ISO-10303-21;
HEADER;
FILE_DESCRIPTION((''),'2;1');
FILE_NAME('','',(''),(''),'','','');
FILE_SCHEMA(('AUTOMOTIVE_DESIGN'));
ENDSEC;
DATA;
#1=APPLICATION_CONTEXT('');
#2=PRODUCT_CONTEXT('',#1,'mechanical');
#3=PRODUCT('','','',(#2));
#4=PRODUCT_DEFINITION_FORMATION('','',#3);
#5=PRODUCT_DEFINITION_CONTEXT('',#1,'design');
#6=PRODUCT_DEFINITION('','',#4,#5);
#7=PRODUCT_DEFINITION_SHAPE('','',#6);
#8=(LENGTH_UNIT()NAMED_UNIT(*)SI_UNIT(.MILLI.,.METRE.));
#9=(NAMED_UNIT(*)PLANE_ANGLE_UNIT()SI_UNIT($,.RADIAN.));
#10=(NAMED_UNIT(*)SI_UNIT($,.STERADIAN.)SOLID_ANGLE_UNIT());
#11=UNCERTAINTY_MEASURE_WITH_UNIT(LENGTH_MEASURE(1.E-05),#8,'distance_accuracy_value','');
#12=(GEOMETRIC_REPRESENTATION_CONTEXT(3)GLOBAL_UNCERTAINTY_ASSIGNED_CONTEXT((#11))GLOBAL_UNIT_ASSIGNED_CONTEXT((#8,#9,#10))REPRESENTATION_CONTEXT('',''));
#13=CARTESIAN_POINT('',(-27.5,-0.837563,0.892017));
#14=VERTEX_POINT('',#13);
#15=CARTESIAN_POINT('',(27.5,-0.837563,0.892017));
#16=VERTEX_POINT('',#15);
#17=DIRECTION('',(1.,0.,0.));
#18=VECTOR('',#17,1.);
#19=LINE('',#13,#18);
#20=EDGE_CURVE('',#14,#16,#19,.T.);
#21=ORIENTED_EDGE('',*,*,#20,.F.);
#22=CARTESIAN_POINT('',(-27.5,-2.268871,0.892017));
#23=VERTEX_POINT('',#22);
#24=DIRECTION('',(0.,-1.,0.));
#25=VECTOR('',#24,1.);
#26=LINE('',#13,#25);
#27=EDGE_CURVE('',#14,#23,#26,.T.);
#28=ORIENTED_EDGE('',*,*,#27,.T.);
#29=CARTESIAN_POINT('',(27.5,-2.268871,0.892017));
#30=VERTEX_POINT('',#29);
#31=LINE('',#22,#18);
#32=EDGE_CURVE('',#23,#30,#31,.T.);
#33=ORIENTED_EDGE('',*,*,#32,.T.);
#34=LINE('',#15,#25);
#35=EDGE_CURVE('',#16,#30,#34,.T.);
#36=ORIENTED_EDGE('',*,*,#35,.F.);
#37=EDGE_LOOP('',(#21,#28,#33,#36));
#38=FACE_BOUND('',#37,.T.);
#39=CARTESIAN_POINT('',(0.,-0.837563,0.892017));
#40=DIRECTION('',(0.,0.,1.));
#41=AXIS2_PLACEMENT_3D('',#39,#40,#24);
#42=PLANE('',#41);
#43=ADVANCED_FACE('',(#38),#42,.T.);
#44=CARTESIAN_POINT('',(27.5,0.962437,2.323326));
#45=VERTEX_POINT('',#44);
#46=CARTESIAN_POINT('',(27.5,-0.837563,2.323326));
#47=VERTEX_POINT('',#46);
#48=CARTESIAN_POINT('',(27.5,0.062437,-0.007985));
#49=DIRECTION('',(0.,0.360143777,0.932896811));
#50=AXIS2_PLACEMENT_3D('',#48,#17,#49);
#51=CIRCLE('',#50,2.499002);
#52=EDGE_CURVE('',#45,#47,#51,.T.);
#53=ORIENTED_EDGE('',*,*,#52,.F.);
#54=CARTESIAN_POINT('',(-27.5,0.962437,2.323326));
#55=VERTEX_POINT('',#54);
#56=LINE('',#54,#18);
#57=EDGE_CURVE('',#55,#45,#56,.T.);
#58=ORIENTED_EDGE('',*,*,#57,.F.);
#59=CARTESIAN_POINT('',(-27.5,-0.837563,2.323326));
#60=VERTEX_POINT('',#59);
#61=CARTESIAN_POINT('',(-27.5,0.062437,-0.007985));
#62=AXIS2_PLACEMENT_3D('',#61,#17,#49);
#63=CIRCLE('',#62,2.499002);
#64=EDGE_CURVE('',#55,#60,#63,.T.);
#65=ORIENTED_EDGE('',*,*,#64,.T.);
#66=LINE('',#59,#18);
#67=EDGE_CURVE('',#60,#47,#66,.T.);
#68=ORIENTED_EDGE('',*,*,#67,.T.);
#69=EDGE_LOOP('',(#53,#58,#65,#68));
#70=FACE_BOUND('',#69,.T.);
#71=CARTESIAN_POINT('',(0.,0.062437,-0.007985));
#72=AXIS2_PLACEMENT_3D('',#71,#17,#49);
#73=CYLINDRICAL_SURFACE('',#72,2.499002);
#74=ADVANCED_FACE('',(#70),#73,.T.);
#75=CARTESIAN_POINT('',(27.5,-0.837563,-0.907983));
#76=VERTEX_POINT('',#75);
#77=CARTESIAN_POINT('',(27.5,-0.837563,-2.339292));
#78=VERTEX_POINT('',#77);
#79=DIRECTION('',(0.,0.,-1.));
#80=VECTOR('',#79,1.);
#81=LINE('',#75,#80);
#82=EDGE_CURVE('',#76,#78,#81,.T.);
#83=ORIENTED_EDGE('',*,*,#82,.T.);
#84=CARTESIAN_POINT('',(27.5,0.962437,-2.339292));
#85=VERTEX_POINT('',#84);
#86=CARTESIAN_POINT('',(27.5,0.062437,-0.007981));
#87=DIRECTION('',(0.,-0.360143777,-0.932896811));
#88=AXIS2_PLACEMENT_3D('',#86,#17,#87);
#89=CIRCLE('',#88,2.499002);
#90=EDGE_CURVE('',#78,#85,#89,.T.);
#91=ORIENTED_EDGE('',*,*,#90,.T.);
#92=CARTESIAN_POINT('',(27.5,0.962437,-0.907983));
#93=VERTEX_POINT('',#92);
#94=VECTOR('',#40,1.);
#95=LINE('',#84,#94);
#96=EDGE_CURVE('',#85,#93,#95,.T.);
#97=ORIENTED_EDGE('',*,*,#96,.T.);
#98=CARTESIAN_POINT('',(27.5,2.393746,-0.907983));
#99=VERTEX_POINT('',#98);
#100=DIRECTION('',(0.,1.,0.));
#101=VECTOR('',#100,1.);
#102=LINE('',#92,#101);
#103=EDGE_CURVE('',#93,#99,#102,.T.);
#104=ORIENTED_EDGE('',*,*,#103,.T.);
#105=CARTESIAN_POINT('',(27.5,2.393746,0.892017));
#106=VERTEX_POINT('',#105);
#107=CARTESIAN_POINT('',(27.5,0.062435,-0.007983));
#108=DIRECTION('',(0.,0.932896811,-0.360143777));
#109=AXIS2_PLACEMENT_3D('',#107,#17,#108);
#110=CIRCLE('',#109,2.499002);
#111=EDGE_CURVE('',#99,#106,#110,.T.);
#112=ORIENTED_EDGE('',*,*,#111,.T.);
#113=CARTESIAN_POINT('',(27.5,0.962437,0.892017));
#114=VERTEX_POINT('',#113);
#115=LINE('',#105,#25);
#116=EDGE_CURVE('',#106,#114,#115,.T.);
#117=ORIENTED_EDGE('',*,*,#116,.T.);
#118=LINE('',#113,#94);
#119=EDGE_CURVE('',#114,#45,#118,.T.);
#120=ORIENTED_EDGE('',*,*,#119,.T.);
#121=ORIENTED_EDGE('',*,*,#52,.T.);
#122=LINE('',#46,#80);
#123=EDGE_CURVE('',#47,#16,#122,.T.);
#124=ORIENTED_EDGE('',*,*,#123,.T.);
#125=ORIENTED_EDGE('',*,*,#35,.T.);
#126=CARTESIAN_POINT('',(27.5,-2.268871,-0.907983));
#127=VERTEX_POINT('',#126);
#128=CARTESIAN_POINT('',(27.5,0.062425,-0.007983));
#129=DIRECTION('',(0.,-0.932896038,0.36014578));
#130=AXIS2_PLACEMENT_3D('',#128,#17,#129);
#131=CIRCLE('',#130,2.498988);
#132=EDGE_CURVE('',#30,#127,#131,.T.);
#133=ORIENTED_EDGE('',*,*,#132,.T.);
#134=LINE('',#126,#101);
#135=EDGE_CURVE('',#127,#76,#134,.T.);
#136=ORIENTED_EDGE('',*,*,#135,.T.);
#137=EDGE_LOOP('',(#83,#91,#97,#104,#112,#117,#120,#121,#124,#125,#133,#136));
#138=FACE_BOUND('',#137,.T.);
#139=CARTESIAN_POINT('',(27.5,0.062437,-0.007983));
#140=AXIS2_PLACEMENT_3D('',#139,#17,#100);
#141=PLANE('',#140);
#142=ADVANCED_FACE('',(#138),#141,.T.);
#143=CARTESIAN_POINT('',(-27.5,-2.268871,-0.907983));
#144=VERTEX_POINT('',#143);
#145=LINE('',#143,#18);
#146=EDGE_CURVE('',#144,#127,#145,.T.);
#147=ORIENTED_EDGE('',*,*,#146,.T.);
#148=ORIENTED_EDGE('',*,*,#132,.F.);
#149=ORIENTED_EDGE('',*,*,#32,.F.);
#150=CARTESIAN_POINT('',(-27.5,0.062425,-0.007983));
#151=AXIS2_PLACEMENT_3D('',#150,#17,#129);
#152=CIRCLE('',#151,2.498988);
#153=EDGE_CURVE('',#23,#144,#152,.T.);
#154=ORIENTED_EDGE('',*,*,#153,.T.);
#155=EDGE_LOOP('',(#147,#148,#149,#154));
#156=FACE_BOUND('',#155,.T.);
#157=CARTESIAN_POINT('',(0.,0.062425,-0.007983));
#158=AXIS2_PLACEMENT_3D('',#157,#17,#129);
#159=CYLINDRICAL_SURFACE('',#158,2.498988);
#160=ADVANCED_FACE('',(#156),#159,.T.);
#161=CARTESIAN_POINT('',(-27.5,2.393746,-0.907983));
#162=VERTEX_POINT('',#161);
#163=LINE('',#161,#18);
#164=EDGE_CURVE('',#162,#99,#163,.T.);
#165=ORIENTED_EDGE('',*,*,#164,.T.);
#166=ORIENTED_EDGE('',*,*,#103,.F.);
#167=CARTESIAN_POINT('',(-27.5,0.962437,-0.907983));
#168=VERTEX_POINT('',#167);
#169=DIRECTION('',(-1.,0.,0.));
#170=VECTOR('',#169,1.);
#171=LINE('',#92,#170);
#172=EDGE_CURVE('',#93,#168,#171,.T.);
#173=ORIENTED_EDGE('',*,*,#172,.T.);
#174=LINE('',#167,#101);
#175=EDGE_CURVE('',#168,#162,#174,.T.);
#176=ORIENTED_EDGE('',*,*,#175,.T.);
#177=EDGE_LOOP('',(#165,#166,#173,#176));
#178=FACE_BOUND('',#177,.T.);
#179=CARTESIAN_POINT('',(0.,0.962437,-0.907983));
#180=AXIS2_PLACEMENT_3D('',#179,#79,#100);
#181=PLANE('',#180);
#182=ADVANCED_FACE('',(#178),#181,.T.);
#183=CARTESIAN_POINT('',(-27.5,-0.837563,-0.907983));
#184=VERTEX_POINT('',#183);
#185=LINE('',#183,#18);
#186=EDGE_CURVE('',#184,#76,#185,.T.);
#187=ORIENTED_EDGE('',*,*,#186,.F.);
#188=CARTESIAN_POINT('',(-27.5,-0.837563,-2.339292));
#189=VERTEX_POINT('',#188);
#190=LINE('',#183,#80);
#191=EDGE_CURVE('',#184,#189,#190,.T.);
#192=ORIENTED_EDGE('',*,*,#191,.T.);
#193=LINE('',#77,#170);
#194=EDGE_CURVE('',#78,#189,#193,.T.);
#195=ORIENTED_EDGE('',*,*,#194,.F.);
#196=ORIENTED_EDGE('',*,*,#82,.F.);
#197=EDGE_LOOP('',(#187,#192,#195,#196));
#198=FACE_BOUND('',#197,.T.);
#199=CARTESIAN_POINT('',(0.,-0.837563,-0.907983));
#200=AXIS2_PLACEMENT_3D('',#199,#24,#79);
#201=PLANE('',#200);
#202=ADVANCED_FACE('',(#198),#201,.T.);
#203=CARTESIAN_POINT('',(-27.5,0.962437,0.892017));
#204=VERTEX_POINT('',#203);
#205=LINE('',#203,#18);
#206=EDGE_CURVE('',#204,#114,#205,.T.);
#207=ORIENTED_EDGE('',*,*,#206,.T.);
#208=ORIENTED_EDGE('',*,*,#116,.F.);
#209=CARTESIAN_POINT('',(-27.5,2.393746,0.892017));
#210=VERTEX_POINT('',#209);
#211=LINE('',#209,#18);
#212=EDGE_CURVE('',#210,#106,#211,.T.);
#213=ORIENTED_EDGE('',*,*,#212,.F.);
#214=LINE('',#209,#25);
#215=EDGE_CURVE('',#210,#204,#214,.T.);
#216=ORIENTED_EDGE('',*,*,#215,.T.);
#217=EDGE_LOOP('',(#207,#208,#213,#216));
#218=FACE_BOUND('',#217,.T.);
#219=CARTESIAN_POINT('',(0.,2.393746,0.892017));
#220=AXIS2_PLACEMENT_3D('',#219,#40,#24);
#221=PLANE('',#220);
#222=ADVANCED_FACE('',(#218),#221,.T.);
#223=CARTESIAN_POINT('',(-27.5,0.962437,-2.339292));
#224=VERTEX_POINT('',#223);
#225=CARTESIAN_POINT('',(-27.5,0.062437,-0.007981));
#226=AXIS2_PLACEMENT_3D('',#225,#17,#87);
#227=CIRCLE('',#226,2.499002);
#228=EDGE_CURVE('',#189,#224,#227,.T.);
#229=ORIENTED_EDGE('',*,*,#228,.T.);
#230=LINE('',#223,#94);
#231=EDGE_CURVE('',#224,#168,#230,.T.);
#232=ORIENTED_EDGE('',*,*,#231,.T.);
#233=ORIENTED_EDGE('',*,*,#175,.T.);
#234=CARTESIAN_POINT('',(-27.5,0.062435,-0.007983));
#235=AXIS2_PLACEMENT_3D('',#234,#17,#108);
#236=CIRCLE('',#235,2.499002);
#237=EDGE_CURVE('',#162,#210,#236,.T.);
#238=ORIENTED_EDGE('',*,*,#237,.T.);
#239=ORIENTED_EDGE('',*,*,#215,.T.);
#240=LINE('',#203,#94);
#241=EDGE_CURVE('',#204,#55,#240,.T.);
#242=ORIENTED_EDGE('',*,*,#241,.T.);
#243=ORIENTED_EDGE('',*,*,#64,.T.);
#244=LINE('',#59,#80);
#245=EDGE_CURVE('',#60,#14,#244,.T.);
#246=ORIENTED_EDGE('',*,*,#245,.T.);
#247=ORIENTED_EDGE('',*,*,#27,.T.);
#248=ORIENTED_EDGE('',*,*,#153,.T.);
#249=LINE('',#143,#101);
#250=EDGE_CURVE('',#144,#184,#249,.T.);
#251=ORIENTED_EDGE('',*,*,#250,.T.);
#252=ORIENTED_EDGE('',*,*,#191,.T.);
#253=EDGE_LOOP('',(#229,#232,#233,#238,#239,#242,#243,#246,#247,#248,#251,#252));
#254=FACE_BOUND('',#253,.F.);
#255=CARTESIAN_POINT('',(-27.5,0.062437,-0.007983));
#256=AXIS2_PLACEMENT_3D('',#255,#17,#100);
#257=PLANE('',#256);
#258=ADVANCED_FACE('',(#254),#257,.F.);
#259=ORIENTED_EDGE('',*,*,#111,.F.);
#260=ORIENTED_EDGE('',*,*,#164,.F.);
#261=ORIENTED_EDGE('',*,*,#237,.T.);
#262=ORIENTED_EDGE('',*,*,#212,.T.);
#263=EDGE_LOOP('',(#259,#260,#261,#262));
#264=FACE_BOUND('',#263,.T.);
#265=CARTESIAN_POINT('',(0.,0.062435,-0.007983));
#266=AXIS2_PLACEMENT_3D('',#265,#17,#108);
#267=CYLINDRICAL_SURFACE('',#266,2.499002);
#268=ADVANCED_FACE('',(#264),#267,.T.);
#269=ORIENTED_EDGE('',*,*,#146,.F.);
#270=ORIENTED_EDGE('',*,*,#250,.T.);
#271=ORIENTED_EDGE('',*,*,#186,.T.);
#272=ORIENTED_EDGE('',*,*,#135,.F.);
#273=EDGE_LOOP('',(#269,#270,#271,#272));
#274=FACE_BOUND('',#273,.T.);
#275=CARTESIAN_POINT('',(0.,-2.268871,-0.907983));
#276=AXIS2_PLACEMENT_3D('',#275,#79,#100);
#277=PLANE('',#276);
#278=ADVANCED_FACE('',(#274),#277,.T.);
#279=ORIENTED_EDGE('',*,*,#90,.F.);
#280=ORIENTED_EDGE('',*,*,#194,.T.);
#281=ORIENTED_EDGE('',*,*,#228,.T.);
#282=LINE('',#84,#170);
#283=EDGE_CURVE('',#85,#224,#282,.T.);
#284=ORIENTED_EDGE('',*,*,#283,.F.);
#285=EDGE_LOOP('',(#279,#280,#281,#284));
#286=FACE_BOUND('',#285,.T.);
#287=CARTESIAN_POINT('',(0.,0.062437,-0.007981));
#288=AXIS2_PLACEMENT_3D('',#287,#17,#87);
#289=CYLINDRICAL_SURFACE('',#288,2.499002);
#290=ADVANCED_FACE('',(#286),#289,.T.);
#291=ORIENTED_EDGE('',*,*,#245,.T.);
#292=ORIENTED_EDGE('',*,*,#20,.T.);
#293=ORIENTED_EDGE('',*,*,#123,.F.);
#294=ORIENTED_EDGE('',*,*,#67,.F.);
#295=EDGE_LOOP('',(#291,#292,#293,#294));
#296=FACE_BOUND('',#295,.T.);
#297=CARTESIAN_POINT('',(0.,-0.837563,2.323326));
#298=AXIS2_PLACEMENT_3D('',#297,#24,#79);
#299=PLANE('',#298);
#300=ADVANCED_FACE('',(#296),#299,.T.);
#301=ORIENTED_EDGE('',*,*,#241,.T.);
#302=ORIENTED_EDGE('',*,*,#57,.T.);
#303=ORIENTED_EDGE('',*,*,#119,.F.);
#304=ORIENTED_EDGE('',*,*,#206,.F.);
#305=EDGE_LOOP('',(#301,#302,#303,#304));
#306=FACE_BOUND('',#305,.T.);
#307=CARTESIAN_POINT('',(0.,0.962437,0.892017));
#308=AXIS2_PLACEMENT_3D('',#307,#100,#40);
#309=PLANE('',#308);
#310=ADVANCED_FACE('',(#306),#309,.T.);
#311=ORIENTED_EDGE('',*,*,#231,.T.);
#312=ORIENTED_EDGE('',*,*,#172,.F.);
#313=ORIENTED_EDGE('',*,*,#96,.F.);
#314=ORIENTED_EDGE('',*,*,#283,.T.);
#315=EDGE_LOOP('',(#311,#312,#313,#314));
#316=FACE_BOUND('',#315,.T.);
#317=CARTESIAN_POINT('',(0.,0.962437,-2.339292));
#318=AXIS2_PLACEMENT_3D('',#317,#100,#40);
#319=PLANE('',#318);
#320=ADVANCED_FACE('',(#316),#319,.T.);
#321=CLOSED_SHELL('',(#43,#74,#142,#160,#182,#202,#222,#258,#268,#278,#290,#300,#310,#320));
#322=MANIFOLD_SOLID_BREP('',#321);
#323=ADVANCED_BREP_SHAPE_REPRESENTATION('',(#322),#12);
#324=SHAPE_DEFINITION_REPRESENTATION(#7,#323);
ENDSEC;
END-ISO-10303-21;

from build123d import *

# Parameters (mm, degrees)
F1_DEPTH = 27.5


with BuildPart() as f1:
    # F0 (on Right) → F1 (new body, symmetric)
    with BuildSketch(Plane.YZ):
        with BuildLine():
            Line((0.962437, -0.907983), (2.393746, -0.907983))
            ThreePointArc((2.393746, -0.907983), (2.561437, -0.007983), (2.393746, 0.892017))
            Line((2.393746, 0.892017), (0.962437, 0.892017))
            Line((0.962437, 0.892017), (0.962437, 2.323326))
            ThreePointArc((0.962437, 2.323326), (0.062437, 2.491017), (-0.837563, 2.323326))
            Line((-0.837563, 2.323326), (-0.837563, 0.892017))
            Line((-0.837563, 0.892017), (-2.268871, 0.892017))
            ThreePointArc((-2.268871, 0.892017), (-2.436563, -0.007983), (-2.268871, -0.907983))
            Line((-2.268871, -0.907983), (-0.837563, -0.907983))
            Line((-0.837563, -0.907983), (-0.837563, -2.339292))
            ThreePointArc((-0.837563, -2.339292), (0.062437, -2.506983), (0.962437, -2.339292))
            Line((0.962437, -2.339292), (0.962437, -0.907983))
        make_face()
    extrude(amount=F1_DEPTH, both=True)


solid = f1.part
